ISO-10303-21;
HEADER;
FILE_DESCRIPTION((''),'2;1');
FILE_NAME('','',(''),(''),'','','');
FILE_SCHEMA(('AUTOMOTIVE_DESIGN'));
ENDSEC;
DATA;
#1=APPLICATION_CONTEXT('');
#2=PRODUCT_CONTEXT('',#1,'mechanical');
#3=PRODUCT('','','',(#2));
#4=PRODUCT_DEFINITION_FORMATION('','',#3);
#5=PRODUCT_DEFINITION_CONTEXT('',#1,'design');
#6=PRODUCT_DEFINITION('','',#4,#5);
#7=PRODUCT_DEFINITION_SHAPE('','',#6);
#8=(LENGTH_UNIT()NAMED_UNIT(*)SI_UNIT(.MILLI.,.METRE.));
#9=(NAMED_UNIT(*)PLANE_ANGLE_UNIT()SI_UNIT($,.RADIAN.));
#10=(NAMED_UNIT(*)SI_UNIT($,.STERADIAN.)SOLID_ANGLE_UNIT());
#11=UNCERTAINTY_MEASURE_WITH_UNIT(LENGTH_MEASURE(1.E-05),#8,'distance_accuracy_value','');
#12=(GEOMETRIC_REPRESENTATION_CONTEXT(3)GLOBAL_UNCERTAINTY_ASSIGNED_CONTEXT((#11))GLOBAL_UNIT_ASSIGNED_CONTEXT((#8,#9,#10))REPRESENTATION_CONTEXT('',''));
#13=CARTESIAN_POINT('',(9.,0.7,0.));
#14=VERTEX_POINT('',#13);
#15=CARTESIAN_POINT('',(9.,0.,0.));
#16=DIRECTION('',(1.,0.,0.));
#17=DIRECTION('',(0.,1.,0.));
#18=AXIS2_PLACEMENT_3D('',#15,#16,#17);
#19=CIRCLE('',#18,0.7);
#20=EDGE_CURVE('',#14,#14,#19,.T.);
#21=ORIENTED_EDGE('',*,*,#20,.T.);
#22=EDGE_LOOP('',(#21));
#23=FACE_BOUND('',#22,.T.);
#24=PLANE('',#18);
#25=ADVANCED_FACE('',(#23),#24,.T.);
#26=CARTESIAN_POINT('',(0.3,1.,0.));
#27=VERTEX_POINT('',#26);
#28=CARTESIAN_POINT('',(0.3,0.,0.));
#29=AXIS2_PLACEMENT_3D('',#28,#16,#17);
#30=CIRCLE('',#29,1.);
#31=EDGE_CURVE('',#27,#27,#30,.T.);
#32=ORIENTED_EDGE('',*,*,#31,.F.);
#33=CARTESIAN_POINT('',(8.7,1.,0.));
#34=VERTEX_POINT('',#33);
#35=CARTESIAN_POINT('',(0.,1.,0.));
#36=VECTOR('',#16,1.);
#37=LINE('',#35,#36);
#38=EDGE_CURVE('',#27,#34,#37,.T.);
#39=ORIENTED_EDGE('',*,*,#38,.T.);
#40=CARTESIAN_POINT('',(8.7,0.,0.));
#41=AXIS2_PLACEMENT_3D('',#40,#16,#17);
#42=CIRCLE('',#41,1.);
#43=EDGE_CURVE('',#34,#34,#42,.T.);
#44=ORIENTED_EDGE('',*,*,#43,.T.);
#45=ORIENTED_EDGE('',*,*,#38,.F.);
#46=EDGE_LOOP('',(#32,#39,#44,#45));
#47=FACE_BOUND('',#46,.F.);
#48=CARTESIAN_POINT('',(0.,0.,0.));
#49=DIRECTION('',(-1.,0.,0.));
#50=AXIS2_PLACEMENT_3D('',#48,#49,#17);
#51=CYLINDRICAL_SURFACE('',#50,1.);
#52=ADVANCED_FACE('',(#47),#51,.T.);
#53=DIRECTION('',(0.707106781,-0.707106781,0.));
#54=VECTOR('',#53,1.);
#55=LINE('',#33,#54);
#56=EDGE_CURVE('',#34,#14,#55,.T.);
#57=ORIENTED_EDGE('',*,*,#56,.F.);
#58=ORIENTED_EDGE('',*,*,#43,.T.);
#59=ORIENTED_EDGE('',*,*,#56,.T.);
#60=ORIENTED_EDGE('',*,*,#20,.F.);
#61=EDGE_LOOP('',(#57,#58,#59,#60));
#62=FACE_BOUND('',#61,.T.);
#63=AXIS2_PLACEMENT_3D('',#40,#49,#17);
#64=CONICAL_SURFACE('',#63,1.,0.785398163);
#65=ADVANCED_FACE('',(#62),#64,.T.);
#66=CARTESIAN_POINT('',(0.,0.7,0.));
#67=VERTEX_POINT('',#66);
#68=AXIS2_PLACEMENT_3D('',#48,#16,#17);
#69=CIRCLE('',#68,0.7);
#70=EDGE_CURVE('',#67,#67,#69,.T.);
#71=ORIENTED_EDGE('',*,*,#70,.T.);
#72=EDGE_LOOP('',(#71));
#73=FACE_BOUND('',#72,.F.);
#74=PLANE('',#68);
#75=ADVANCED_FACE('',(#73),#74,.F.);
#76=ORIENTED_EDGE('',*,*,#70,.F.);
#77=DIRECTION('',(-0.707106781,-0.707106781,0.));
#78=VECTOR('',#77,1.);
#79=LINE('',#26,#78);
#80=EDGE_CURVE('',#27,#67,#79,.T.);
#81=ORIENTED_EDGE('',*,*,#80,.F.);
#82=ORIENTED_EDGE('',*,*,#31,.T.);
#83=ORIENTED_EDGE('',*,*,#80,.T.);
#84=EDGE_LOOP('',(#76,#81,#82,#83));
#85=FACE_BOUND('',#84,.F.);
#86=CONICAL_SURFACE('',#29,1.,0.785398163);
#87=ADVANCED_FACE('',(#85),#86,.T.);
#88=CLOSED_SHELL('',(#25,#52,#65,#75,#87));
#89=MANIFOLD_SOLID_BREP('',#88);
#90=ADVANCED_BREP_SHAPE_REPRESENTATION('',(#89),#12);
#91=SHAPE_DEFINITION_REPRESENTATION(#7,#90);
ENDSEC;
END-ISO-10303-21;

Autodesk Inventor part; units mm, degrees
ref_plane "YZ Plane" through (0, 0, 0) normal (1, 0, 0) x (0, 1, 0)
ref_plane "XZ Plane" through (0, 0, 0) normal (0, 1, 0) x (-1, 0, 0)
ref_plane "XY Plane" through (0, 0, 0) normal (0, 0, 1) x (1, 0, 0)
sketch "Skizze1" plane through (0, 0, 0) normal (1, 0, 0) x (0, 1, 0)
  circle A0 centre (0, 0) radius 1
  dimension "d0" = 2
extrude "Extrusion1" add sketch "Skizze1" along normal blind 9
chamfer "Fase1" distance 0.3 angle 45 2 edges at (0, -1, 0) (9, -1, 0)
properties part number "OmniWheelAxisSmall"
